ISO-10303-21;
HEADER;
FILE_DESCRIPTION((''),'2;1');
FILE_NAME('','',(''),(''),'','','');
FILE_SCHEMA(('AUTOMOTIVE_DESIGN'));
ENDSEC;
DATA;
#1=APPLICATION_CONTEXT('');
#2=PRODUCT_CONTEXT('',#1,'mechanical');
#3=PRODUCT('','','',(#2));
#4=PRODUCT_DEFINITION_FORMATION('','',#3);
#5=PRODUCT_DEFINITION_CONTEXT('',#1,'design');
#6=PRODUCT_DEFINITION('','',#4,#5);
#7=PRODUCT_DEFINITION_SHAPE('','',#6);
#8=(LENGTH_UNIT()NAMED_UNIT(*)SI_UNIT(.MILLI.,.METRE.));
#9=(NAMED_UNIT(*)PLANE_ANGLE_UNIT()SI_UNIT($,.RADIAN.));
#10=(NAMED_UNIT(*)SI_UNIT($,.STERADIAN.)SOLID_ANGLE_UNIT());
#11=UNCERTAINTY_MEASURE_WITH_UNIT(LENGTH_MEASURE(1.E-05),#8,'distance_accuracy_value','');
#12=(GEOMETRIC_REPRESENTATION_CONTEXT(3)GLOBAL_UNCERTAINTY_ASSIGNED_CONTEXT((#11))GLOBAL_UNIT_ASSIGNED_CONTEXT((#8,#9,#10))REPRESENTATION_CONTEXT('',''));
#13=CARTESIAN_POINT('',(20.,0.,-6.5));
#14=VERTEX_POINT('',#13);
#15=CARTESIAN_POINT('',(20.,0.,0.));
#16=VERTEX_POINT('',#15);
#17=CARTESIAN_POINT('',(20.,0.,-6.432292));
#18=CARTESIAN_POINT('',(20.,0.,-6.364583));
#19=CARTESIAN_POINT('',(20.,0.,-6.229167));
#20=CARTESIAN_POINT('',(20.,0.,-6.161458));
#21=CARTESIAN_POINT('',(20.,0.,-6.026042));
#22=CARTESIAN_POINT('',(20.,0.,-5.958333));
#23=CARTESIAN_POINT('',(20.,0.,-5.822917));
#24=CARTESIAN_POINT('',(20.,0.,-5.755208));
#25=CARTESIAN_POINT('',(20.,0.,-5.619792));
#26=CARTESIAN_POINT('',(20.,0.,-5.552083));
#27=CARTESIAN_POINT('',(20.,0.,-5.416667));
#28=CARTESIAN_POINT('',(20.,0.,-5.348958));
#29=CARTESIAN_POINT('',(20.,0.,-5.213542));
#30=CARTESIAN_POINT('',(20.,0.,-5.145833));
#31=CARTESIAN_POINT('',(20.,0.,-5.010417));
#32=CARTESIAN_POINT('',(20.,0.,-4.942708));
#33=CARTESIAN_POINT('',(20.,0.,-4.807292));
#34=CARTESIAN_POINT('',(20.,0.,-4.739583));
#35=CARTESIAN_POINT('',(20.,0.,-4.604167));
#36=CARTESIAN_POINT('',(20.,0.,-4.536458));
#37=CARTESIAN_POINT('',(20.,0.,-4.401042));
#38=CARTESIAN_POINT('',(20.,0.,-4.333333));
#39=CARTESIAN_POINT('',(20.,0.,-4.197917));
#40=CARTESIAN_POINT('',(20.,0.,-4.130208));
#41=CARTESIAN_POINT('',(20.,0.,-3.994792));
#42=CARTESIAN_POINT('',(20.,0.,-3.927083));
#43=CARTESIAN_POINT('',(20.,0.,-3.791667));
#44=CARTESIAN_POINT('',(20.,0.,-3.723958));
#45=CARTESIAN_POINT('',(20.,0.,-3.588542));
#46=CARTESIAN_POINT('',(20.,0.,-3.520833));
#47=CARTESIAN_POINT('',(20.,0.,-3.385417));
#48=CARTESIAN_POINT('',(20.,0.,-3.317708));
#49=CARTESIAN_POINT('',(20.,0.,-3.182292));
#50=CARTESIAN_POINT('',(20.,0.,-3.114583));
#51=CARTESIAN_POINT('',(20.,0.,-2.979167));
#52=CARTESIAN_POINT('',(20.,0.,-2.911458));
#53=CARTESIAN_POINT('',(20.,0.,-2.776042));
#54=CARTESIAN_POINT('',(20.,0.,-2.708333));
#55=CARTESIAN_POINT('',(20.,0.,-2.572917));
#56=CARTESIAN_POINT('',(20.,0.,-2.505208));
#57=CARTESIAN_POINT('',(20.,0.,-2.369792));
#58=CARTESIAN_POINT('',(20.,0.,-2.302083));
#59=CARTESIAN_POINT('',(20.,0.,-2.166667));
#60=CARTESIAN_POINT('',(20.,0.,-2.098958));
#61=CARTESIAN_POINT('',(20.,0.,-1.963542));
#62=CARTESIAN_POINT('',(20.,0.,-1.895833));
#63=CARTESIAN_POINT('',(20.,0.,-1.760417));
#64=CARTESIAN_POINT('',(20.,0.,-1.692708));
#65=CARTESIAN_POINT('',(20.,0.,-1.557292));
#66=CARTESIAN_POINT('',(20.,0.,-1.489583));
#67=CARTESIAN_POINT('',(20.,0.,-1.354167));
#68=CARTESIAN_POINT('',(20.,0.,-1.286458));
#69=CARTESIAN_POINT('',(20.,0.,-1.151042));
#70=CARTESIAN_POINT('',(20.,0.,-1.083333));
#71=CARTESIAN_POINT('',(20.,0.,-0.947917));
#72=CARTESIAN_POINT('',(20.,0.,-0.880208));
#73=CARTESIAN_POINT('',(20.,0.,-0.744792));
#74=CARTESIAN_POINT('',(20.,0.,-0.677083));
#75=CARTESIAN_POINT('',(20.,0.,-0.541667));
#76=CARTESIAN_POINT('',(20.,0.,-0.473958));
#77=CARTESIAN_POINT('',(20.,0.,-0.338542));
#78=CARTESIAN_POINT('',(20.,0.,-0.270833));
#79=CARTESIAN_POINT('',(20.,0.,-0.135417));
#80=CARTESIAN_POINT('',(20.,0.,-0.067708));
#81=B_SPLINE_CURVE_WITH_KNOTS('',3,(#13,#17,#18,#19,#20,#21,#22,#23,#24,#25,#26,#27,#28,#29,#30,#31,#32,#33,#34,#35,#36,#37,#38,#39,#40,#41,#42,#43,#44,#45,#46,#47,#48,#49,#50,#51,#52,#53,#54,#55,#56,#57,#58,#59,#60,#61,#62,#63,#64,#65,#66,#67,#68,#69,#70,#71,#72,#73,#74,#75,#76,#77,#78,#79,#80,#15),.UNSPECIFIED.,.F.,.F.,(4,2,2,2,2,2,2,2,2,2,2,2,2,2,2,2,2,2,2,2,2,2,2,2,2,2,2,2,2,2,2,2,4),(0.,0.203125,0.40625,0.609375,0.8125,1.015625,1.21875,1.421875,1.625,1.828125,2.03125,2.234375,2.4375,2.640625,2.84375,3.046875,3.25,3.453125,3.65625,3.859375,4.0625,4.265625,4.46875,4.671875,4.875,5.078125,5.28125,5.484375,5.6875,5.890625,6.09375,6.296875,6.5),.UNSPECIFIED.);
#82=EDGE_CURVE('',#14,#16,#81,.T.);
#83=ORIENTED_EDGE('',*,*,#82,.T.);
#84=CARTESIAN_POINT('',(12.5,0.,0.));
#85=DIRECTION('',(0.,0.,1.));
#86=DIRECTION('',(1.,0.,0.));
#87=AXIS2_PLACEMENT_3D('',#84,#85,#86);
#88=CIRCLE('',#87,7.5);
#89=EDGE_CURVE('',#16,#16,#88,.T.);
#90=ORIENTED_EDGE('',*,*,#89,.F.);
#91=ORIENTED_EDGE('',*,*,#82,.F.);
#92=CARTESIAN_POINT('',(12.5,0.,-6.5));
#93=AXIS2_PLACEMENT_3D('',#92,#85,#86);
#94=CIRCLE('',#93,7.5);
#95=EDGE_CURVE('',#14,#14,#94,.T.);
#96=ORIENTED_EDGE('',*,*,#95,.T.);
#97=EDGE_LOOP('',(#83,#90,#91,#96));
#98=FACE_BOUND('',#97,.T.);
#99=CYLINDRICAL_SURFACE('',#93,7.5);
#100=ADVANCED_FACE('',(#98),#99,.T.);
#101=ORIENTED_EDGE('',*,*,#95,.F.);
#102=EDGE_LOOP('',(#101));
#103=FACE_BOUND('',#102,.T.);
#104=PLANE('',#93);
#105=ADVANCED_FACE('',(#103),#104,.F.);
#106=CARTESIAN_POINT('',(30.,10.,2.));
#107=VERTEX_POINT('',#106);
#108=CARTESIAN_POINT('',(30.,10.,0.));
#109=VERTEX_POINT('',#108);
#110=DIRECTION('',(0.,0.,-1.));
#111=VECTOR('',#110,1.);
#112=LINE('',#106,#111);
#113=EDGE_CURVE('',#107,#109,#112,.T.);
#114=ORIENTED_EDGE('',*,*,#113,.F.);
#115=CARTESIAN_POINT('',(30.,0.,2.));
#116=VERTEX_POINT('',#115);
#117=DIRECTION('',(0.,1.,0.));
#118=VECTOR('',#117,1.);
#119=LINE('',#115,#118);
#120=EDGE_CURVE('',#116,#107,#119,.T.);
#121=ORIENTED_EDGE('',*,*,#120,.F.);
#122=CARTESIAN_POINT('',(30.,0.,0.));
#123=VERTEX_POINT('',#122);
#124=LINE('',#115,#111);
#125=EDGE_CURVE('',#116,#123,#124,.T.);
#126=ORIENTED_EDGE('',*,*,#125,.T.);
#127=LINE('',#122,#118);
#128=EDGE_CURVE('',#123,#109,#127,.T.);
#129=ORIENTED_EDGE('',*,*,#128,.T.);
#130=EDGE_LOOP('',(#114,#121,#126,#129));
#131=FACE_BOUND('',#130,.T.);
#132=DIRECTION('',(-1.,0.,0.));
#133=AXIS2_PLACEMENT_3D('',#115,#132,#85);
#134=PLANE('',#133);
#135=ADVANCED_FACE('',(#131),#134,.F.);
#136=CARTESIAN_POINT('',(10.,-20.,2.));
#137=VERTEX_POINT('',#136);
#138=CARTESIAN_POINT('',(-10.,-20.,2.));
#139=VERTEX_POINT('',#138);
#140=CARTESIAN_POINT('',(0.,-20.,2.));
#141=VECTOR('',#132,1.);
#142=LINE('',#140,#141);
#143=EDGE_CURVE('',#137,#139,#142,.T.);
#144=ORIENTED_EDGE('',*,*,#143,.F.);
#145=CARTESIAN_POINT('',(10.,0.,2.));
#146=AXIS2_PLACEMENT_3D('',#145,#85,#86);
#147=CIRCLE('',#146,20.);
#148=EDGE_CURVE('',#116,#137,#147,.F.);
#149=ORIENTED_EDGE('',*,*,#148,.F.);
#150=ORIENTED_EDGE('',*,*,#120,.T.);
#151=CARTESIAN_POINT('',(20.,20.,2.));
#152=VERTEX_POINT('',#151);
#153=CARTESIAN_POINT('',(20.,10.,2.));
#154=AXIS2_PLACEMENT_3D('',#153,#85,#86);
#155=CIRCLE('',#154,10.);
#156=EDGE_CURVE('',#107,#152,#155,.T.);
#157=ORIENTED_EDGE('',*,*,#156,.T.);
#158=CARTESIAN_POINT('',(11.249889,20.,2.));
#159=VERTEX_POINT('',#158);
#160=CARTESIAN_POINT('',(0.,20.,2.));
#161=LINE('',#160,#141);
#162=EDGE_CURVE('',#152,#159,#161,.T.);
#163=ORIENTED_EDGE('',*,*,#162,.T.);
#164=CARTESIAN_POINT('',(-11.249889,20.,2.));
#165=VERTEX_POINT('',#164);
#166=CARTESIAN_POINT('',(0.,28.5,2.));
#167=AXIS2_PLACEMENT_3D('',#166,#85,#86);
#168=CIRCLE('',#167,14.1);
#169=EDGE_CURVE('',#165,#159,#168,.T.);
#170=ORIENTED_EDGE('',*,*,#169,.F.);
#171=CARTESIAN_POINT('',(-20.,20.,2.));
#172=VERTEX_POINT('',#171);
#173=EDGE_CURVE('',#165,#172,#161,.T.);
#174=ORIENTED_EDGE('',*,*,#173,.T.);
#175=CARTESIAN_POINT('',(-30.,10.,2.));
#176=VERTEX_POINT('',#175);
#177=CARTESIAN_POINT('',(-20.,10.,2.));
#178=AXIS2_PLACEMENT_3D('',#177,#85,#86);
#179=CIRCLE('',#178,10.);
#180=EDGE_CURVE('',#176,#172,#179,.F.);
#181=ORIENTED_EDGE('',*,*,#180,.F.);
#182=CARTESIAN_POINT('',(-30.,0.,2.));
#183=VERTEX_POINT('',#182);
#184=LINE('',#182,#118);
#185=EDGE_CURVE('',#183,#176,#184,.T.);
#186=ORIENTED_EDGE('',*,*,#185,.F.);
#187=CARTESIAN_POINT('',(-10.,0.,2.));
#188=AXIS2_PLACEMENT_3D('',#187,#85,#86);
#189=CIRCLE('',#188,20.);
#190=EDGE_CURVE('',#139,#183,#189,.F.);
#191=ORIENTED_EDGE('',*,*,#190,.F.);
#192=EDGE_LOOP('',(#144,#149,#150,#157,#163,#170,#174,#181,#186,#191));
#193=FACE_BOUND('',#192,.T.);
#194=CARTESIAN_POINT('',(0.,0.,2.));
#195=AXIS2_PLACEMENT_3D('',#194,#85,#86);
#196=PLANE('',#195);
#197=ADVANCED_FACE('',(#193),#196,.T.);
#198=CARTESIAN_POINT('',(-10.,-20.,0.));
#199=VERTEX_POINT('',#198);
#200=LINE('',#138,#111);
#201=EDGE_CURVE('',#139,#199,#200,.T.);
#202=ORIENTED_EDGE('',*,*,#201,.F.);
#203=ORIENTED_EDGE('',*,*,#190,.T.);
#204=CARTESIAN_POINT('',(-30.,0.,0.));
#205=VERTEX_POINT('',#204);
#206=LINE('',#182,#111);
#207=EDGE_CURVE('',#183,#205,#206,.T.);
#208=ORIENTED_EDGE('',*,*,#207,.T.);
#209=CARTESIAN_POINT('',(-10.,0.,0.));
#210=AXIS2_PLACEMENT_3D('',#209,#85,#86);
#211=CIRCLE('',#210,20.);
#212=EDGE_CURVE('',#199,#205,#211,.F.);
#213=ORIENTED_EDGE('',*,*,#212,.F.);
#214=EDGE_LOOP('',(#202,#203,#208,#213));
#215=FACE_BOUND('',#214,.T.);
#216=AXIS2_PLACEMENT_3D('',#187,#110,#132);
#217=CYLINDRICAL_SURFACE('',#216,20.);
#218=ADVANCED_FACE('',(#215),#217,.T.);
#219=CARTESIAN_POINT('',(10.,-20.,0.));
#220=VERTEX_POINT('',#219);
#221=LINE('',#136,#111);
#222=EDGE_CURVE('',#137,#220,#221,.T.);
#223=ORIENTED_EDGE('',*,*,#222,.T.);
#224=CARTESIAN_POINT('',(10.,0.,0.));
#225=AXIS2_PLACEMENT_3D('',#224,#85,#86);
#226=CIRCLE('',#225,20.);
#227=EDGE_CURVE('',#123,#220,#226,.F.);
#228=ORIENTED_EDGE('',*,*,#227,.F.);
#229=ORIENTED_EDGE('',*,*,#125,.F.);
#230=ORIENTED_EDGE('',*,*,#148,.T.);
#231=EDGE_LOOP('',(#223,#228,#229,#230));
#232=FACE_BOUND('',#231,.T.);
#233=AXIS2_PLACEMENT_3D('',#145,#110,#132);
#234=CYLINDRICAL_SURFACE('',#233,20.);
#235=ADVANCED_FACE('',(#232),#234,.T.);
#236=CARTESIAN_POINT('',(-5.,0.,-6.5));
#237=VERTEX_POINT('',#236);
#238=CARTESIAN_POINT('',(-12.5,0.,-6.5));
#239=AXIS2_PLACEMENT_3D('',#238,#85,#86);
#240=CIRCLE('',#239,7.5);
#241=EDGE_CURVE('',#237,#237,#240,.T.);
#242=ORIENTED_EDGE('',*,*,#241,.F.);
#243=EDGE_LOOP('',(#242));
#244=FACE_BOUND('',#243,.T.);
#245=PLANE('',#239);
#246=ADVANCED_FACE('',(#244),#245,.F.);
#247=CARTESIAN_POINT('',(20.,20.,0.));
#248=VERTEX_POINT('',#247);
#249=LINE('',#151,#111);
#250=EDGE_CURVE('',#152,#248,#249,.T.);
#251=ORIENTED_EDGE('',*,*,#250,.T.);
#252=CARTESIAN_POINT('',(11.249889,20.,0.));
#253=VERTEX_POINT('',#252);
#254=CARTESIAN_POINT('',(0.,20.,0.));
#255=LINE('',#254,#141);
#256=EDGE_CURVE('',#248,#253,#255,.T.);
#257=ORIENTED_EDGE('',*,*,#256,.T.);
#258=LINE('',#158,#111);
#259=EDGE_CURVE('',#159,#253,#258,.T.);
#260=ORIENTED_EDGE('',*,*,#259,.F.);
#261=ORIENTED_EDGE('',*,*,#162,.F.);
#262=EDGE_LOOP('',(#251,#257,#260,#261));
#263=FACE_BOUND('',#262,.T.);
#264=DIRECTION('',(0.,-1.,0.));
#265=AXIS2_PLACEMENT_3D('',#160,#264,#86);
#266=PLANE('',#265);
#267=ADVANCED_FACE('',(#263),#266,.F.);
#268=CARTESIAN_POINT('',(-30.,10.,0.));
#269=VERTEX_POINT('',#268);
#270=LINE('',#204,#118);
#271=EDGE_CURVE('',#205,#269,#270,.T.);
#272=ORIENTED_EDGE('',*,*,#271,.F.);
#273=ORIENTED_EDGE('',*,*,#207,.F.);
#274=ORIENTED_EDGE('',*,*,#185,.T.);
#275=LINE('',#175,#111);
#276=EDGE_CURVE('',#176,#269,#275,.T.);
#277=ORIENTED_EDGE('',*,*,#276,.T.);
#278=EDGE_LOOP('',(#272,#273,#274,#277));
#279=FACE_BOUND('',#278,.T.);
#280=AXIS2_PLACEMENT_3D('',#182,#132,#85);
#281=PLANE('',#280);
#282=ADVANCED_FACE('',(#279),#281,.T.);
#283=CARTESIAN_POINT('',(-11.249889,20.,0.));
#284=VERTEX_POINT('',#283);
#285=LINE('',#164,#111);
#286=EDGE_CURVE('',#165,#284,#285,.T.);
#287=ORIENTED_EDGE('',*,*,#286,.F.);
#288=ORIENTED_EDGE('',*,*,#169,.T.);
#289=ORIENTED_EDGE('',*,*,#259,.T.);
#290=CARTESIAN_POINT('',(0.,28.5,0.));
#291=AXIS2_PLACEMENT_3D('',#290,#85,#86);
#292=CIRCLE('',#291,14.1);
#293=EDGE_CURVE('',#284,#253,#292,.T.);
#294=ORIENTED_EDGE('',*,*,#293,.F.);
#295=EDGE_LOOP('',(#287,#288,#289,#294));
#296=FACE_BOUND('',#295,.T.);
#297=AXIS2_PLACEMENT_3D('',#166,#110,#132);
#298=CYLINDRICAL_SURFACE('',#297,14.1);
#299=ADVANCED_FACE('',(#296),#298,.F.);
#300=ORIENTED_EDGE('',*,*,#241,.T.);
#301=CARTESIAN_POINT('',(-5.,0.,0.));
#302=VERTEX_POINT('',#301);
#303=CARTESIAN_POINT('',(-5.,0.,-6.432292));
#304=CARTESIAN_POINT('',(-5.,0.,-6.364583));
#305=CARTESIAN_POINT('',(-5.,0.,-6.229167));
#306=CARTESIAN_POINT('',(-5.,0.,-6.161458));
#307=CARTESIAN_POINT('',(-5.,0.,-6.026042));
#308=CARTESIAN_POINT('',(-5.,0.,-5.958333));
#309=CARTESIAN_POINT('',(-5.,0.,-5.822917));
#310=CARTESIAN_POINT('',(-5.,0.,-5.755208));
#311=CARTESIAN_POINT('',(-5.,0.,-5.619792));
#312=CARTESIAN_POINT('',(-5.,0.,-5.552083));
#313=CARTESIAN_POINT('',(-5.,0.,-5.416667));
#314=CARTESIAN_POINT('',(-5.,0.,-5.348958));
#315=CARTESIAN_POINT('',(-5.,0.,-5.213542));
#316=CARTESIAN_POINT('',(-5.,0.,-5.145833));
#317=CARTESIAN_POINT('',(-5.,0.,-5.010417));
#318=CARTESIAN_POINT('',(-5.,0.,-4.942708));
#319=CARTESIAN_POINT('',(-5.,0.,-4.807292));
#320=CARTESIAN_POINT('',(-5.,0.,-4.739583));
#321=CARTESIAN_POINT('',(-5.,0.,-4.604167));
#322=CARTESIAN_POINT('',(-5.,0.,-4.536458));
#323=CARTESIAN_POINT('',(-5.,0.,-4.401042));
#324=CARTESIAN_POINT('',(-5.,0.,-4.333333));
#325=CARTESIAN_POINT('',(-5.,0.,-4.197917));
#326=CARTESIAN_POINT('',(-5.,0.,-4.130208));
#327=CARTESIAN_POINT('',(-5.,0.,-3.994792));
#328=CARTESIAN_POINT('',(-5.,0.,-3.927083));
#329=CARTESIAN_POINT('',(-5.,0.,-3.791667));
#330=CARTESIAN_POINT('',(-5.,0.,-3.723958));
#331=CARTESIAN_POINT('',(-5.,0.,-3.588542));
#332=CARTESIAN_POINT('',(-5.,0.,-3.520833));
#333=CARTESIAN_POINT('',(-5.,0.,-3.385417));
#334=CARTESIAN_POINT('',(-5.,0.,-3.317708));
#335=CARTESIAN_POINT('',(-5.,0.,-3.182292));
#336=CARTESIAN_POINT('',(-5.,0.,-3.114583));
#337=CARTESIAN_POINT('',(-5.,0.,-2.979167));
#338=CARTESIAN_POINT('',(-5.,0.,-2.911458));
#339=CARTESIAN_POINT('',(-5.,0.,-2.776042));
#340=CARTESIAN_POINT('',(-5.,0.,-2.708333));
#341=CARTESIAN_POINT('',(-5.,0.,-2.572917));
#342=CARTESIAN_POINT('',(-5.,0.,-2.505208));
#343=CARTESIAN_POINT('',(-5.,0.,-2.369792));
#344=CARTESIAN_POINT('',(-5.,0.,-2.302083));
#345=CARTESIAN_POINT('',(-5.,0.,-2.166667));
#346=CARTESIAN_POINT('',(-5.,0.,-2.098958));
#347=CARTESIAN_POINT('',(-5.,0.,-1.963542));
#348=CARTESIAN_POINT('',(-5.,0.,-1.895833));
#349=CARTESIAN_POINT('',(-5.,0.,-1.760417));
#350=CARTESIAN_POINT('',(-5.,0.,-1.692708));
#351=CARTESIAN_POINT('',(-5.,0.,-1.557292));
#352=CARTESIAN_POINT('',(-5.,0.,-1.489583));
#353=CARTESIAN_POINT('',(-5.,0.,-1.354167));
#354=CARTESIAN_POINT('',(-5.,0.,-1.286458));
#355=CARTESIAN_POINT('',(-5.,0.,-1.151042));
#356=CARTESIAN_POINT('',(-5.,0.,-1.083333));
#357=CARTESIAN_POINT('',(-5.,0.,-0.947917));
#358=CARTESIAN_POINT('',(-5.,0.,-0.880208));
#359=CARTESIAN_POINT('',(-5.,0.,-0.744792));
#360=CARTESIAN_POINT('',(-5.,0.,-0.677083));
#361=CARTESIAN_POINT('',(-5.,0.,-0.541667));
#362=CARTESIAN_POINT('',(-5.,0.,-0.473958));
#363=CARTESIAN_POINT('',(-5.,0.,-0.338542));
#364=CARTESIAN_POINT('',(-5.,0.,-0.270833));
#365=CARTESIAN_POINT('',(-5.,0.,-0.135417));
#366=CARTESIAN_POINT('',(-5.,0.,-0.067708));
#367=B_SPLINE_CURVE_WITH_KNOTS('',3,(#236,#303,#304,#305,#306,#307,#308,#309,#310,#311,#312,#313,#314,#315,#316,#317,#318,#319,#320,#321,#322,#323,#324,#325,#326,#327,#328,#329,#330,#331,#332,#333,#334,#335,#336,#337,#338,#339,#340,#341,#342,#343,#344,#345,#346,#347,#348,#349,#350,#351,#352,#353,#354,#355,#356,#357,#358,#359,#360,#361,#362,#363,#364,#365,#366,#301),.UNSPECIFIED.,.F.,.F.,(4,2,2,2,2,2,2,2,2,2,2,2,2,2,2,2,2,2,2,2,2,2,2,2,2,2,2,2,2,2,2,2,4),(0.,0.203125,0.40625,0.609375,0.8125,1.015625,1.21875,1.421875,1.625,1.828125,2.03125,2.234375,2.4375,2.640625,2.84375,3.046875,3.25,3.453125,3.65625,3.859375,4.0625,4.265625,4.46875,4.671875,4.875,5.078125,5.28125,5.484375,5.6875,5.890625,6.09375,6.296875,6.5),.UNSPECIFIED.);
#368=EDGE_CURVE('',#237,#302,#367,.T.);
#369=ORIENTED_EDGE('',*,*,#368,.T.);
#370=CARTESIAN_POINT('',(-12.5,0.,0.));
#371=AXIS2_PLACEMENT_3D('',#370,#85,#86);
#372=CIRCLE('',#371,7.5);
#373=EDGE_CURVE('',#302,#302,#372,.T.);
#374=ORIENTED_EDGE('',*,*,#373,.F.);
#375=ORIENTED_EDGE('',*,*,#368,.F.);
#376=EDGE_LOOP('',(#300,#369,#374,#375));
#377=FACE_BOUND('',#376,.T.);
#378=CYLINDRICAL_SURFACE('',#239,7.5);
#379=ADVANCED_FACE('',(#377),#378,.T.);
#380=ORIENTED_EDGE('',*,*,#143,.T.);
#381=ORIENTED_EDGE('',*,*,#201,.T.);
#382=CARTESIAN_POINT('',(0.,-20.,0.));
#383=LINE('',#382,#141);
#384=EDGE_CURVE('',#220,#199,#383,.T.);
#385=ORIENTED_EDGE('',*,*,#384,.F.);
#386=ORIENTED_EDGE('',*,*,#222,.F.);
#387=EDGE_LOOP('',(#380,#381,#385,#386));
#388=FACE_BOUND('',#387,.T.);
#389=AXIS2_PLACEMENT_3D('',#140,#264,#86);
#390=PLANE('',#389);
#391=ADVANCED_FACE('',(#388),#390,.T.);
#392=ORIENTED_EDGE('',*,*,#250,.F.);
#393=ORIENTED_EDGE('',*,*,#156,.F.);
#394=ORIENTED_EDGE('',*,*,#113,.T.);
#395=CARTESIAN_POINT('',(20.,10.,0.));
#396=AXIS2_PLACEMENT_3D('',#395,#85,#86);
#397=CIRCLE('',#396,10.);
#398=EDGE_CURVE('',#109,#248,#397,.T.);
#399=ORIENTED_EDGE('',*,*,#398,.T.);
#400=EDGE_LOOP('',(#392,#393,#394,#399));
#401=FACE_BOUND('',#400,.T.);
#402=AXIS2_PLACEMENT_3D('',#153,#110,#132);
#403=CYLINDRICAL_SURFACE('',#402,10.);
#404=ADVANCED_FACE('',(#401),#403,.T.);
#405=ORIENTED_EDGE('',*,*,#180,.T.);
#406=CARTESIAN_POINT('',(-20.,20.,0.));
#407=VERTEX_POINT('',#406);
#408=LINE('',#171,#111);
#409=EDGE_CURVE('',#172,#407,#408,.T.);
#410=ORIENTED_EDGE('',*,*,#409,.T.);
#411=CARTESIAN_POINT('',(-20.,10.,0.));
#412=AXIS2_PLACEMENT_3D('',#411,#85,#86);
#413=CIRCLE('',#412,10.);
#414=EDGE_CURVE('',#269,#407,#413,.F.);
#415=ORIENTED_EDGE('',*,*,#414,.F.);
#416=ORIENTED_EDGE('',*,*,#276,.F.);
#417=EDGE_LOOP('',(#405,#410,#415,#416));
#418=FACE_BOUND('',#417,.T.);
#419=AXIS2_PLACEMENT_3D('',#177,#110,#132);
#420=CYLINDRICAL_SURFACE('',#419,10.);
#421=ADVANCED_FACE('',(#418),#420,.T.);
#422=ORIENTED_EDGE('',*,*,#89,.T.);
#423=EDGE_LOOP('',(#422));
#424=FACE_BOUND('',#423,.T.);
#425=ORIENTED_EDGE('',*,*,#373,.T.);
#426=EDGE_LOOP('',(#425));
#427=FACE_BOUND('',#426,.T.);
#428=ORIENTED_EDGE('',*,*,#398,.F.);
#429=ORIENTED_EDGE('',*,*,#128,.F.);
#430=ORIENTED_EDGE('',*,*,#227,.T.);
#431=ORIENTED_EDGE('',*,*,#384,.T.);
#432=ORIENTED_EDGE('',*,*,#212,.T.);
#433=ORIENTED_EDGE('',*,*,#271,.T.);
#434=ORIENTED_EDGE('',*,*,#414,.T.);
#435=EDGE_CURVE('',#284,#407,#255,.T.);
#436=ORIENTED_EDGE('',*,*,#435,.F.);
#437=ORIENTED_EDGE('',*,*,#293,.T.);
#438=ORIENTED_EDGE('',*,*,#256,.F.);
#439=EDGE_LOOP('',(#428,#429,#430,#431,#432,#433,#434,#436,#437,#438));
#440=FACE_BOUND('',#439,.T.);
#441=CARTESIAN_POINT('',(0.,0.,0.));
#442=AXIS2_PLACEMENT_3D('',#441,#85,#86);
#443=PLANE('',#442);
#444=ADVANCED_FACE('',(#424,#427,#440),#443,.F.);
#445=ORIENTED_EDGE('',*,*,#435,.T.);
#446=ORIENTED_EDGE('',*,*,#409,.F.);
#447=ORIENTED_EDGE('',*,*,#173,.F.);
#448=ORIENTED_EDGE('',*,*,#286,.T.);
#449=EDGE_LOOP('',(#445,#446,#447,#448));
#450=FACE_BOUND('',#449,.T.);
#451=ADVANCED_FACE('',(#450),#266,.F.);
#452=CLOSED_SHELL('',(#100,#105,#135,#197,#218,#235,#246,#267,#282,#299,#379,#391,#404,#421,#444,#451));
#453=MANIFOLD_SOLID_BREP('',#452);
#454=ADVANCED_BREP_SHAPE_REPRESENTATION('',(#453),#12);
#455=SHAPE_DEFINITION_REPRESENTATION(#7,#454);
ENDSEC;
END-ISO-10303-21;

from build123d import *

# Parameters (mm, degrees)
EXTRUDE_1_DEPTH = 2
SKETCH_3_R      = 7.5
EXTRUDE_2_DEPTH = 6.5


with BuildPart() as part:
    # 草图1 → 凸台-拉伸1 (new body)
    with BuildSketch(Plane.XY):
        with BuildLine():
            Line((-10, -20), (10, -20))
            ThreePointArc((10, -20), (24.142135624, -14.142135624), (30, 0))
            Line((30, 0), (30, 10))
            ThreePointArc((30, 10), (27.071067812, 17.071067812), (20, 20))
            Line((20, 20), (11.249888888, 20))
            ThreePointArc((11.249888888, 20), (0, 14.4), (-11.249888888, 20))
            Line((-11.249888888, 20), (-20, 20))
            ThreePointArc((-20, 20), (-27.071067812, 17.071067812), (-30, 10))
            Line((-30, 10), (-30, 0))
            ThreePointArc((-30, 0), (-24.142135624, -14.142135624), (-10, -20))
        make_face()
    extrude(amount=EXTRUDE_1_DEPTH)

    # 草图3 → 凸台-拉伸2 (add)
    with BuildSketch(Plane.XY):
        with Locations((-12.5, 0)):
            Circle(SKETCH_3_R)
        with Locations((12.5, 0)):
            Circle(SKETCH_3_R)
    extrude(amount=-EXTRUDE_2_DEPTH)


solid = part.part
